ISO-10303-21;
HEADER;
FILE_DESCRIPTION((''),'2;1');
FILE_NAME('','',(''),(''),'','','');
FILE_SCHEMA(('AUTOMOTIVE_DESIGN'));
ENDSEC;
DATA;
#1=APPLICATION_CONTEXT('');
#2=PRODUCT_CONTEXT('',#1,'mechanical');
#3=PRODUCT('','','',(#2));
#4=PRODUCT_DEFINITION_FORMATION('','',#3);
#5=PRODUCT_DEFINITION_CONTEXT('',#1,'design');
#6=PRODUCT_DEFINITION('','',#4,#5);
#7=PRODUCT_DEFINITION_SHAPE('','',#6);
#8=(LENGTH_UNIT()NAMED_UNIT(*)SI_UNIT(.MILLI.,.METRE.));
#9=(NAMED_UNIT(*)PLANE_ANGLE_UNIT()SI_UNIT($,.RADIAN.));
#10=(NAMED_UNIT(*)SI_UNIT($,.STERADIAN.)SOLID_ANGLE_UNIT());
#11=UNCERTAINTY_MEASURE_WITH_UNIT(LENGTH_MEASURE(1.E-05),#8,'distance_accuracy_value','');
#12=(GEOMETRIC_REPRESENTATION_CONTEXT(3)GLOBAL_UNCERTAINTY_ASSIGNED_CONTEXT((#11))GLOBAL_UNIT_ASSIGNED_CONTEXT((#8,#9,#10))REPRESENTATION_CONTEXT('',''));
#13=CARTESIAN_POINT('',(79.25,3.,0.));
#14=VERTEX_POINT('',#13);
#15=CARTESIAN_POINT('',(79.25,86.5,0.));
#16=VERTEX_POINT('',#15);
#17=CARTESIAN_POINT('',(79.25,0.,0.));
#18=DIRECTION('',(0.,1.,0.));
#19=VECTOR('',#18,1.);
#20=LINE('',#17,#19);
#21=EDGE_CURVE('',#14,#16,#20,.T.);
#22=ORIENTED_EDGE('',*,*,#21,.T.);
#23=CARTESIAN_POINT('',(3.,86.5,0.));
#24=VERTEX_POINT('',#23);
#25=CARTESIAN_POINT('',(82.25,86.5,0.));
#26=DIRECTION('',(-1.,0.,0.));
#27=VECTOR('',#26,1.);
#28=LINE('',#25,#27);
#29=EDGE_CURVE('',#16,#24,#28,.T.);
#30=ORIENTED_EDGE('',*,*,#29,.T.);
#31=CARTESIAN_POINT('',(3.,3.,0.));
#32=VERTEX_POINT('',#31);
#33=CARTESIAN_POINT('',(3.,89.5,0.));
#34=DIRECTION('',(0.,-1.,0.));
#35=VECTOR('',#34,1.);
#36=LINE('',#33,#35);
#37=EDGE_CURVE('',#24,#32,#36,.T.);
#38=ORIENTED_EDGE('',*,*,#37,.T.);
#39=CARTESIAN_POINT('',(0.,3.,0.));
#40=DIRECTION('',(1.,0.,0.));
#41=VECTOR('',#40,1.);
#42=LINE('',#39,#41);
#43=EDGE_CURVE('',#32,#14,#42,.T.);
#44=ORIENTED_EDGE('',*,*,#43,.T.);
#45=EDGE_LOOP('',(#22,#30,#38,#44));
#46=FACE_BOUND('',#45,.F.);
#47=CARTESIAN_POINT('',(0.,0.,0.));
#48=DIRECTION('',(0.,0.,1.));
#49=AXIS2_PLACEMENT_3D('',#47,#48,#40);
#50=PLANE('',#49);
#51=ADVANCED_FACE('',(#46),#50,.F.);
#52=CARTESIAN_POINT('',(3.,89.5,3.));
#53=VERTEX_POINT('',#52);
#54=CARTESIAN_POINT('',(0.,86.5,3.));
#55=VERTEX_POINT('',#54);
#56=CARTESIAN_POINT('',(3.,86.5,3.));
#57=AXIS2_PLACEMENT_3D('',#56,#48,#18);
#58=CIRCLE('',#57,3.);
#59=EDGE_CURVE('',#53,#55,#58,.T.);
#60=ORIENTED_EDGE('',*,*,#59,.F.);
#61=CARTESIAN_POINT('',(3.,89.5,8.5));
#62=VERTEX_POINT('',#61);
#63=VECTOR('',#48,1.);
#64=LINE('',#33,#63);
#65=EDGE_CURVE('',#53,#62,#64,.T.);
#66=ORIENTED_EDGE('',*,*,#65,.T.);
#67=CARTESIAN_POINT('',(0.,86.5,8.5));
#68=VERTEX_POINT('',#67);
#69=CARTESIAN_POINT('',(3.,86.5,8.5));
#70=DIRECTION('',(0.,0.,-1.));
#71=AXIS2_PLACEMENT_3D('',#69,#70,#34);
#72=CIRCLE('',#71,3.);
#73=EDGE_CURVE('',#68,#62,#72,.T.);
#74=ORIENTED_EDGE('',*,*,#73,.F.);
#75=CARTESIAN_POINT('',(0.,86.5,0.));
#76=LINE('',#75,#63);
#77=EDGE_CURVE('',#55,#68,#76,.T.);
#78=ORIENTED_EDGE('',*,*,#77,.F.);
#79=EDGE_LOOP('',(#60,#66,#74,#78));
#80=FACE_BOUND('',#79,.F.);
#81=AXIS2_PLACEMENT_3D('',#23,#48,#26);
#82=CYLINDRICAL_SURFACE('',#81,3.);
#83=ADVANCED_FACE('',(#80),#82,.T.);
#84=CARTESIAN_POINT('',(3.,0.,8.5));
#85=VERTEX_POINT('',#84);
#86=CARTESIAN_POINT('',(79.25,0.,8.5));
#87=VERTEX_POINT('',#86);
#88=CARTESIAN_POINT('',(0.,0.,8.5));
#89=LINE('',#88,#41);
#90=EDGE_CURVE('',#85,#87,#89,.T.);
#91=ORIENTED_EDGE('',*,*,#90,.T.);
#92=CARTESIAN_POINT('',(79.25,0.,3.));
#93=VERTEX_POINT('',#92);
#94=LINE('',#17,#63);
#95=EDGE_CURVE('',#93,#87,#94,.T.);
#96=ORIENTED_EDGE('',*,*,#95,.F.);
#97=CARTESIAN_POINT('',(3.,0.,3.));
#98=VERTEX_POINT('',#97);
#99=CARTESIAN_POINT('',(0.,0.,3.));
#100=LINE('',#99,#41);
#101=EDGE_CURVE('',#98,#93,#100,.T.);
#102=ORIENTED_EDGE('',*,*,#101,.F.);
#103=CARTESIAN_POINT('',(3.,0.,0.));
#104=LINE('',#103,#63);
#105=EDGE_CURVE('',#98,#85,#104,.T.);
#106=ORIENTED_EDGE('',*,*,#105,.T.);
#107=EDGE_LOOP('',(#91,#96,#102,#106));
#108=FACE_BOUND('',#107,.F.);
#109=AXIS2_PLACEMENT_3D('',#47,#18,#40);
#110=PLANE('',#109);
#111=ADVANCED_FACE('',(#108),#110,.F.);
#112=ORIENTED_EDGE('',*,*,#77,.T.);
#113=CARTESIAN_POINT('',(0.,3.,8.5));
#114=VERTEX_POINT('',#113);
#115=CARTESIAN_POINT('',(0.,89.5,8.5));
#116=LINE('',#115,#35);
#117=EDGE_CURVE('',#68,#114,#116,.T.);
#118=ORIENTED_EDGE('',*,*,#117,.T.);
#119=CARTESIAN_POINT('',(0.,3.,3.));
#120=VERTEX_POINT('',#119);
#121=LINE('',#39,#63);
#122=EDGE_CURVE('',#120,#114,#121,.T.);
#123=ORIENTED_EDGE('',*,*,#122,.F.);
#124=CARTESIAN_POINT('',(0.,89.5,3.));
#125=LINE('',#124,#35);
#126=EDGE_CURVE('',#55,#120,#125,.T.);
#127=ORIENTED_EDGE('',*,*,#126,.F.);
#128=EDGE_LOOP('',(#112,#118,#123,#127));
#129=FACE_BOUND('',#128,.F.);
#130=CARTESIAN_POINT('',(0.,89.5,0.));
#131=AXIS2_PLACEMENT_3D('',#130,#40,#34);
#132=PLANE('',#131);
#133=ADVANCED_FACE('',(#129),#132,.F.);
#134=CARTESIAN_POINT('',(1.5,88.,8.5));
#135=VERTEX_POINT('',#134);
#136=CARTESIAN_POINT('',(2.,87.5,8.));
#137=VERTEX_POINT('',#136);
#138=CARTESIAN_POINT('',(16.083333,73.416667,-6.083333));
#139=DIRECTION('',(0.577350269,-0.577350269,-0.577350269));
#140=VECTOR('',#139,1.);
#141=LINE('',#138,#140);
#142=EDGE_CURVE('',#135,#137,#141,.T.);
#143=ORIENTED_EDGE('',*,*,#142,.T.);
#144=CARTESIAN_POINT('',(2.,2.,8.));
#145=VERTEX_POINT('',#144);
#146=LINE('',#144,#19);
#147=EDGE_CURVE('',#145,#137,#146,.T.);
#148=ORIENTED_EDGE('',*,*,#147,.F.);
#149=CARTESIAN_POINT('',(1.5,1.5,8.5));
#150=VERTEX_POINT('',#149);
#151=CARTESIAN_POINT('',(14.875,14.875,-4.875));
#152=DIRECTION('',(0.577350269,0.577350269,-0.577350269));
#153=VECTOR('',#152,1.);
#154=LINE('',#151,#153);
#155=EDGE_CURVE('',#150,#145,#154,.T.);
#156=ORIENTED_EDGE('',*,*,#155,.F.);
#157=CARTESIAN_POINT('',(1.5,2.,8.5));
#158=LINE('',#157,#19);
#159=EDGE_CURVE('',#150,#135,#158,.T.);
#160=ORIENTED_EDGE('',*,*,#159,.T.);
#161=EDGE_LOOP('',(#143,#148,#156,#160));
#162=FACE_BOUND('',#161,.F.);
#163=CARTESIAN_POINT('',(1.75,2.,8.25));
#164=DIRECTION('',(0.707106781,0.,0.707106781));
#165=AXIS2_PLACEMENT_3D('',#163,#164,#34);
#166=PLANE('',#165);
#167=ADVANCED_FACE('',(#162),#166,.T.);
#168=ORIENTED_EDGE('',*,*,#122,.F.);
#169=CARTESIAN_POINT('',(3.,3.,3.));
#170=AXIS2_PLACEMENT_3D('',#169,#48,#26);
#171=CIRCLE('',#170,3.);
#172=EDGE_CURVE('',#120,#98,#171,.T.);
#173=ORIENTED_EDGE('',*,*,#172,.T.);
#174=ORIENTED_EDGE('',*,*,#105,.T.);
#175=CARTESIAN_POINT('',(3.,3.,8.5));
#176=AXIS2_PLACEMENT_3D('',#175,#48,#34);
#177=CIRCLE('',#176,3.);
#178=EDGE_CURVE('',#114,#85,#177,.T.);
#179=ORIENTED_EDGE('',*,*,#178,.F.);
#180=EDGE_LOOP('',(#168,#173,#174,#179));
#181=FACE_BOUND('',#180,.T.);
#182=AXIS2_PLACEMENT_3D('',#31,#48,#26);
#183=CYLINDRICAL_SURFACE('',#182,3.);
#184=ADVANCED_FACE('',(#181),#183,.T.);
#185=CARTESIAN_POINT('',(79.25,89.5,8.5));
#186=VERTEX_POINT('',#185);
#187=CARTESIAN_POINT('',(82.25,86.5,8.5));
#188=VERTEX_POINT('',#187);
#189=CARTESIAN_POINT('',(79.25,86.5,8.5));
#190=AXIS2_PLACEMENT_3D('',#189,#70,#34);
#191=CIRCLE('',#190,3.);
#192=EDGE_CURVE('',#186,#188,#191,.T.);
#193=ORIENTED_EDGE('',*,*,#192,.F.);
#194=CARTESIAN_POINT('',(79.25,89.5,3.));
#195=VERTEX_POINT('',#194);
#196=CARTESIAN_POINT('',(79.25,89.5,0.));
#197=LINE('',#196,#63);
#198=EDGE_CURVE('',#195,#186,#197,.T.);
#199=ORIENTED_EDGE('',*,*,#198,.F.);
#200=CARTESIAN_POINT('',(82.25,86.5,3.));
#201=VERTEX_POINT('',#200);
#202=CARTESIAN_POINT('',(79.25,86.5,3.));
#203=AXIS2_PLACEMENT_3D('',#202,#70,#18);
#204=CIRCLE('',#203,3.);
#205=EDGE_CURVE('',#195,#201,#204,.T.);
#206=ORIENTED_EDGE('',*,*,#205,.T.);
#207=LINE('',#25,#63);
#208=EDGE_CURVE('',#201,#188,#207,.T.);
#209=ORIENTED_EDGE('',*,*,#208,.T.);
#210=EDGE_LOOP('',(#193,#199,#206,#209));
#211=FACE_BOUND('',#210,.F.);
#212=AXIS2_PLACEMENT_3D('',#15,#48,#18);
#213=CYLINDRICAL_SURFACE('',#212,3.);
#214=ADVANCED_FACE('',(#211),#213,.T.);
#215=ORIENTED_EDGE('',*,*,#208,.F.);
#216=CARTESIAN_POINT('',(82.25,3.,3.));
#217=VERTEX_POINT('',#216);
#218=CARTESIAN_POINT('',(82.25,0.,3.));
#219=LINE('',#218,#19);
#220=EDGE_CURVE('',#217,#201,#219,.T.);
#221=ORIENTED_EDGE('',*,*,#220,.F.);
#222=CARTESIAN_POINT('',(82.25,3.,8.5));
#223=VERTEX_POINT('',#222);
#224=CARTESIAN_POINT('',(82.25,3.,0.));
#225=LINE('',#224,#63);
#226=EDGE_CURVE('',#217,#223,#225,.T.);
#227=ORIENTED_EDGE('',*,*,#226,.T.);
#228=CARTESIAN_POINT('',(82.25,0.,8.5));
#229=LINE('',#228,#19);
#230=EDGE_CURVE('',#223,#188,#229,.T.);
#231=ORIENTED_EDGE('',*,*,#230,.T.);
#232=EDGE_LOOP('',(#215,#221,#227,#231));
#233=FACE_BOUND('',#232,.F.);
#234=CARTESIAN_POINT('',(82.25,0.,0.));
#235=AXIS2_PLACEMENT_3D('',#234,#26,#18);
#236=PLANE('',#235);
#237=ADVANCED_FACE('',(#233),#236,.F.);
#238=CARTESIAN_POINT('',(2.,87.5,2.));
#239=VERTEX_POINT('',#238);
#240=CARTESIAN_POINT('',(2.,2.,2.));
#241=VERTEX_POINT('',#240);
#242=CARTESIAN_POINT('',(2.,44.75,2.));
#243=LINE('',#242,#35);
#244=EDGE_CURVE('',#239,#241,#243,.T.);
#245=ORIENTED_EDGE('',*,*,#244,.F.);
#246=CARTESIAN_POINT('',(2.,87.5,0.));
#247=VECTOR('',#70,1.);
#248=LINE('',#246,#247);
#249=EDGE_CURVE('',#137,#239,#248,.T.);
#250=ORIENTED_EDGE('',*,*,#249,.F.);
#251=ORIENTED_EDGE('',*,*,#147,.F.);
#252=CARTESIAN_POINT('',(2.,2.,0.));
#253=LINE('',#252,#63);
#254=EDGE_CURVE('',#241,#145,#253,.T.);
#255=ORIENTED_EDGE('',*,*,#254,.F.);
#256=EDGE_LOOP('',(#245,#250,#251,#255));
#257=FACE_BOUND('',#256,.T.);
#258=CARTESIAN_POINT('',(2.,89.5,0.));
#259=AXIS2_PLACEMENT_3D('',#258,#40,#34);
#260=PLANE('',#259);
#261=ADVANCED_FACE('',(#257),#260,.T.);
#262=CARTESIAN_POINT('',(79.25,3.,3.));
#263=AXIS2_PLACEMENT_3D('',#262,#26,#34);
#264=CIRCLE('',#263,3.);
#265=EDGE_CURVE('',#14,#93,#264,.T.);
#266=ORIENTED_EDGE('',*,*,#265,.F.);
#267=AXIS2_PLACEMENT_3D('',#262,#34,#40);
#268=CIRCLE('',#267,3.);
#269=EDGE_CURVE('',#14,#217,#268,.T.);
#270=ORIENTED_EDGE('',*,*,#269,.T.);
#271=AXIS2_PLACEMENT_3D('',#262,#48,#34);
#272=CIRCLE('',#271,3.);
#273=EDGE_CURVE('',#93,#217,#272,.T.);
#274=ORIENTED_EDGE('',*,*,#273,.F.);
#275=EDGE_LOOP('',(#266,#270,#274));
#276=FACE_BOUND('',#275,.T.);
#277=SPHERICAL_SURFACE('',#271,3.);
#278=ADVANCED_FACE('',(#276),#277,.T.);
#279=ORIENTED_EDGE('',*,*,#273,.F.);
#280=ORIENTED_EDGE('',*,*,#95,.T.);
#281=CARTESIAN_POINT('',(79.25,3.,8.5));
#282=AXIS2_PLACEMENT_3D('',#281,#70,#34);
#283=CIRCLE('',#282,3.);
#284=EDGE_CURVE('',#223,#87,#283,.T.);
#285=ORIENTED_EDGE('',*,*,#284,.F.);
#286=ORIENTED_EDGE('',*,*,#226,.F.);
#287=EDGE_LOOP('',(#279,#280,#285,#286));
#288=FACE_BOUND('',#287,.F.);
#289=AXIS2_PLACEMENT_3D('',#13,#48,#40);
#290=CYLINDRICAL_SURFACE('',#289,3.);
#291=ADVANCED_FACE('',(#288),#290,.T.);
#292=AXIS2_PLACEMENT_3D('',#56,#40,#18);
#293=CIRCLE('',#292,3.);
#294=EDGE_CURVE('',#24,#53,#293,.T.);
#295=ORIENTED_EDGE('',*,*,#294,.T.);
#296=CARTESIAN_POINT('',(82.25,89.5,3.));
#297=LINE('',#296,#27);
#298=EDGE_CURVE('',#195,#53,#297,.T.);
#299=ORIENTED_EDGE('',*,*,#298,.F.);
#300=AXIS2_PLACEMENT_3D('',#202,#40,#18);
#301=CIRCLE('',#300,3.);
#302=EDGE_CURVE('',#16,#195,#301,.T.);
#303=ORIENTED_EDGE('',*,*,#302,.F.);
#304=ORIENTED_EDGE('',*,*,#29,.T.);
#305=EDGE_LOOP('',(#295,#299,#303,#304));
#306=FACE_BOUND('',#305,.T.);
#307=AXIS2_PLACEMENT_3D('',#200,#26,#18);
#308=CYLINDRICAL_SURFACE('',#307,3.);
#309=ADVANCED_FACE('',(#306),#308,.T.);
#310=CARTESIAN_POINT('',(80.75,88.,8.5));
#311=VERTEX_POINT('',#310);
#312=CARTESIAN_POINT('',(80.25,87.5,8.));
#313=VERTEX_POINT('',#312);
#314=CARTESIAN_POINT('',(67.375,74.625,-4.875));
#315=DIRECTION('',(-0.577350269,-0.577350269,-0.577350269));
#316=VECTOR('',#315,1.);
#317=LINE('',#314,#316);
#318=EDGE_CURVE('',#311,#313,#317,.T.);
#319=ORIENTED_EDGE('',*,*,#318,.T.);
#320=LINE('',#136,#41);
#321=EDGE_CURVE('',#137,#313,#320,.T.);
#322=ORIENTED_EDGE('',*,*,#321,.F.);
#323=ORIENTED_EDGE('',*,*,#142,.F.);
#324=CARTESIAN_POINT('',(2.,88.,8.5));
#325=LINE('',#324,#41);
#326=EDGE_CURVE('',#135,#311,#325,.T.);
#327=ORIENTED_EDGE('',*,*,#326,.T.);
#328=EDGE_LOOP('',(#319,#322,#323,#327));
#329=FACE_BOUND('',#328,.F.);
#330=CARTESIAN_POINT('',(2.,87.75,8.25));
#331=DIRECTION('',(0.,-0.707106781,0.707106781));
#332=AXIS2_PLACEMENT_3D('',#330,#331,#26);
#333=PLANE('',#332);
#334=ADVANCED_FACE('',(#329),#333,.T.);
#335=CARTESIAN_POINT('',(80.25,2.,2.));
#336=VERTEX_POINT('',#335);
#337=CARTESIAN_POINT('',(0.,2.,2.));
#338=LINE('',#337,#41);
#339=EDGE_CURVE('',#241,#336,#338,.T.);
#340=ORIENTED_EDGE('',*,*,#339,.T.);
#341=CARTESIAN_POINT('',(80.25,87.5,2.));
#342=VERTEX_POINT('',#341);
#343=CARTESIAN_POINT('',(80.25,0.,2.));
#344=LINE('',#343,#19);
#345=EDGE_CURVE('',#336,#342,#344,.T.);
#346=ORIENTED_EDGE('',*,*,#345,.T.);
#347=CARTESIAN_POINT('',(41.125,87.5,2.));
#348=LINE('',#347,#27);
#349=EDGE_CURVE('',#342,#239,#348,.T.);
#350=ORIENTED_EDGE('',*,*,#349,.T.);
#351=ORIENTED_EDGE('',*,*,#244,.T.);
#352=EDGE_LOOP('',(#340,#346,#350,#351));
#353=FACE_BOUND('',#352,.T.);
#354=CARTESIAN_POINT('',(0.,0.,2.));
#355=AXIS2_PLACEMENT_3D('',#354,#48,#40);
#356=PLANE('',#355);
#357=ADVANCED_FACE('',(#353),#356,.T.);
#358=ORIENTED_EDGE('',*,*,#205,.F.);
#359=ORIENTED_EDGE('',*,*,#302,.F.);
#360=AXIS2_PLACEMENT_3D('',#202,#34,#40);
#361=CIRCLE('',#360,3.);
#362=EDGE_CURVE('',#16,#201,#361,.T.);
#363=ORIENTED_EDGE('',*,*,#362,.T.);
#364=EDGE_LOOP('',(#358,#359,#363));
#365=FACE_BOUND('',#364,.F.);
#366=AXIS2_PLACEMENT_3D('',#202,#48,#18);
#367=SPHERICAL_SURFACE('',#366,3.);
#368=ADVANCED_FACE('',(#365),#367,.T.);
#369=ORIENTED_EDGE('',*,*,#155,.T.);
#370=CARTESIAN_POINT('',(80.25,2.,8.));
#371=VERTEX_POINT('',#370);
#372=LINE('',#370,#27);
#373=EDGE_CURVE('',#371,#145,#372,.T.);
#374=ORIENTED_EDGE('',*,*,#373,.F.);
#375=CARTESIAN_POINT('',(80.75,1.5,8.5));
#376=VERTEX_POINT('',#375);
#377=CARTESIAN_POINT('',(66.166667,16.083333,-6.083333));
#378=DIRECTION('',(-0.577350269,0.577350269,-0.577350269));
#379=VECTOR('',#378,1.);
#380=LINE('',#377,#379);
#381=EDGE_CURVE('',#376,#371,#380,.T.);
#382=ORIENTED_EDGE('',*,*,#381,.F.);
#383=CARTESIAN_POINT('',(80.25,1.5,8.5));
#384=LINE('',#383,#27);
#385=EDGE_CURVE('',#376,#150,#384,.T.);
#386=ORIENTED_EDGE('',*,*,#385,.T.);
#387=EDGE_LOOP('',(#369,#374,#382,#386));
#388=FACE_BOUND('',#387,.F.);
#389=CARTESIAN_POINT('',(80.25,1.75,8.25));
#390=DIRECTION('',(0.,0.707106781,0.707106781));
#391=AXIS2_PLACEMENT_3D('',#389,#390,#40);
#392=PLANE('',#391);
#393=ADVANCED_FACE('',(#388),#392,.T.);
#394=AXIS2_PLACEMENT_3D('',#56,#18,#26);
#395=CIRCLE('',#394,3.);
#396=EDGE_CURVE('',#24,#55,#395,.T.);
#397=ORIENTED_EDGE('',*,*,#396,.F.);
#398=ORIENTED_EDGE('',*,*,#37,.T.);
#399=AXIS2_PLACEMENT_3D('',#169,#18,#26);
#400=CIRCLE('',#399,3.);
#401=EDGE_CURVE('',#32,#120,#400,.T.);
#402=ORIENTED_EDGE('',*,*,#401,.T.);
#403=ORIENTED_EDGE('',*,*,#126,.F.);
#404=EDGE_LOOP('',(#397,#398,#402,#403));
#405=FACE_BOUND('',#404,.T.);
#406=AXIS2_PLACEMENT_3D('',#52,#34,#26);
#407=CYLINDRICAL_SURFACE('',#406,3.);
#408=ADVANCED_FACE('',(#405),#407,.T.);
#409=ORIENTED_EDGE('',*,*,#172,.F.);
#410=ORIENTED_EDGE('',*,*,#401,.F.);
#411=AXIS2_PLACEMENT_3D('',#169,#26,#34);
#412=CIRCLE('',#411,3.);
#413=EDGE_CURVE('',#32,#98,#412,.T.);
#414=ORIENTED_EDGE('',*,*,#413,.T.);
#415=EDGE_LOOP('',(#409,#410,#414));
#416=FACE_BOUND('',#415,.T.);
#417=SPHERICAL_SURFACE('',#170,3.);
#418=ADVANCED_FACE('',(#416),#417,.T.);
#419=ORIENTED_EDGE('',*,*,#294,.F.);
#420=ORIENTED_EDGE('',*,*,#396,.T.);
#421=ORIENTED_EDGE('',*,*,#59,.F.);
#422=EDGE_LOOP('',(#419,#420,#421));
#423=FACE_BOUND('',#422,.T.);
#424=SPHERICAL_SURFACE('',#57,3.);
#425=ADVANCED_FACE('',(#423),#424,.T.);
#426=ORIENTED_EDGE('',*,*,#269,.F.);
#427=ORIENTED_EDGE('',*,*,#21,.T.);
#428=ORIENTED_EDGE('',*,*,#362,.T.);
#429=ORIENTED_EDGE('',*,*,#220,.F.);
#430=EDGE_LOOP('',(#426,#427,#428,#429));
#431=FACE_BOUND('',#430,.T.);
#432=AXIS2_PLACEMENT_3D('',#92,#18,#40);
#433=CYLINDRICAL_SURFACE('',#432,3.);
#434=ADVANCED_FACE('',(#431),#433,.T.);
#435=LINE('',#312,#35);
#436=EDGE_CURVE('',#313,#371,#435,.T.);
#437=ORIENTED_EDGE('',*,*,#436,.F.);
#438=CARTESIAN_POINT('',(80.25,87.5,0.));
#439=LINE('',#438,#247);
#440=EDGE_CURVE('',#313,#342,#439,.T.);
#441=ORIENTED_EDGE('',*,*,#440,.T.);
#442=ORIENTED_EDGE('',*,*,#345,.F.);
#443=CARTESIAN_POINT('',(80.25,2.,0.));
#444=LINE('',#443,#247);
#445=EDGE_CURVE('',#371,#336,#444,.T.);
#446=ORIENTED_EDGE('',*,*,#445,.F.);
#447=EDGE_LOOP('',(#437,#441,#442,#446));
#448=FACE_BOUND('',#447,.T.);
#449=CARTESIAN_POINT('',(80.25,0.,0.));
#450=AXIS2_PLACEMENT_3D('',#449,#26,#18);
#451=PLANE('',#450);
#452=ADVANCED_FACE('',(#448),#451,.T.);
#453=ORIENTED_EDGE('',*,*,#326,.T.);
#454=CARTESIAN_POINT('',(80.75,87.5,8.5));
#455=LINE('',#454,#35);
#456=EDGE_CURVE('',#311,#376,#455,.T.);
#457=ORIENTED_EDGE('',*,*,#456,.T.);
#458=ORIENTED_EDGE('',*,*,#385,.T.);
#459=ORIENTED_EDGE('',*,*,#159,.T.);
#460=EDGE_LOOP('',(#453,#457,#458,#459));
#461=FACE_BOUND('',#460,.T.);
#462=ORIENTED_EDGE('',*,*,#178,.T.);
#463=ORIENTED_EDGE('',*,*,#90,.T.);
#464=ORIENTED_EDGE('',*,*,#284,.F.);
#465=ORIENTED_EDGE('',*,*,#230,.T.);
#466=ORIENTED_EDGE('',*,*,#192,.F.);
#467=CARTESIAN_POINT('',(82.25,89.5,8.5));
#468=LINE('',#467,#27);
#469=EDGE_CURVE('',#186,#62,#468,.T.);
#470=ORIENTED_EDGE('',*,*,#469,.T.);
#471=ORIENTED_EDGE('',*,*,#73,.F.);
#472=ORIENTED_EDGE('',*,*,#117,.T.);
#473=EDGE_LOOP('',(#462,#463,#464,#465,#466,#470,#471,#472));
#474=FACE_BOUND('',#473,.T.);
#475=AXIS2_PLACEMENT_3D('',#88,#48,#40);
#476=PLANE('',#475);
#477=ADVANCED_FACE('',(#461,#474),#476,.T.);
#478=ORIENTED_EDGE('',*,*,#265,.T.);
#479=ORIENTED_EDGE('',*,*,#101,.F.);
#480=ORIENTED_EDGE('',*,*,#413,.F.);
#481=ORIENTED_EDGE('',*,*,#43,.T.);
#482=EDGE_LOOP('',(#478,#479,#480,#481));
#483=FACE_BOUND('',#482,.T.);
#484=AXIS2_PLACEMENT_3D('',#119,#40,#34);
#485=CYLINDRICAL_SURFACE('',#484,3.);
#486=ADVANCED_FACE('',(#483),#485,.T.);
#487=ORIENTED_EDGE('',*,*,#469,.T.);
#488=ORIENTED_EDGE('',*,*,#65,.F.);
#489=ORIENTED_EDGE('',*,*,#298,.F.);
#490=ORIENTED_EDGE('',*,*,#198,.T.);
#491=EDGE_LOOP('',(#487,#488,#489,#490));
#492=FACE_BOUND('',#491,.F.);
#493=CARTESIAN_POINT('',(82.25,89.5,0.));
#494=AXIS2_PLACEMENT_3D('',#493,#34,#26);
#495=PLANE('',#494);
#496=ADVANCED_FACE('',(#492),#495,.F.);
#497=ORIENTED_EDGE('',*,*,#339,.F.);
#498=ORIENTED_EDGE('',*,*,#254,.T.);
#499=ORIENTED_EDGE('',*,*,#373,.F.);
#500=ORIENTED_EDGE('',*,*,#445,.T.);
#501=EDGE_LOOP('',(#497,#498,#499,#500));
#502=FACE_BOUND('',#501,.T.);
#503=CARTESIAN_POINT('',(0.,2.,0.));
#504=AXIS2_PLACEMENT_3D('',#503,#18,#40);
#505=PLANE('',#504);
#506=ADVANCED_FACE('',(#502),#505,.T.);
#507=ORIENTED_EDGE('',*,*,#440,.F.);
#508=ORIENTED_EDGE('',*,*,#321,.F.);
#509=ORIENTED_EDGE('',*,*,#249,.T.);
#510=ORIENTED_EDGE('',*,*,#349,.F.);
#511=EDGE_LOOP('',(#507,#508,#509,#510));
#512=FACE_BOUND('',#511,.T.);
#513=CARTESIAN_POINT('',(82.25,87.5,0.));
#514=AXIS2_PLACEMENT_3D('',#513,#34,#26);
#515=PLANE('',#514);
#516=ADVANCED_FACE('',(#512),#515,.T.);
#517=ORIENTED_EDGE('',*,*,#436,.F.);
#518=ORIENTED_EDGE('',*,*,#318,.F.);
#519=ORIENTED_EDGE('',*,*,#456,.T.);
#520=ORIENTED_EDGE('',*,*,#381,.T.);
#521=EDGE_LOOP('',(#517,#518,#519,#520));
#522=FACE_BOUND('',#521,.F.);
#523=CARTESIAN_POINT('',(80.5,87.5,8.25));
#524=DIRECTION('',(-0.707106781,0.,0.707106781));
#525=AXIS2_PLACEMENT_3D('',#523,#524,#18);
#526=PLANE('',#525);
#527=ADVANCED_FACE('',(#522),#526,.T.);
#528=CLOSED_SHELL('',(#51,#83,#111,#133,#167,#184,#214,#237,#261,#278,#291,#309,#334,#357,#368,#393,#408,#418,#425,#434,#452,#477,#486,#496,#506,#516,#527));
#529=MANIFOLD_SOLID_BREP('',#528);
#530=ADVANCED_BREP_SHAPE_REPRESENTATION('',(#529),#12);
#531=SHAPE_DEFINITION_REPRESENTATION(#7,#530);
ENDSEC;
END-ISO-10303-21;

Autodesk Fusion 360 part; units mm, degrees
sketch "Sketch1" plane through (0, 0, 0) normal (0, 0, 1) x (1, 0, 0)
  line L0 (0, 0) -> (82.25, 0)
  line L1 (82.25, 0) -> (82.25, 89.5)
  line L2 (82.25, 89.5) -> (0, 89.5)
  line L3 (0, 89.5) -> (0, 0)
  dimension "d1" = 89.5
  dimension "d2" = 82.25
extrude "Extrude1" add sketch "Sketch1" along normal blind 8.5
shell "Shell1" thickness 2 removed faces 1 at (27.4167, 59.6667, 8.5)
fillet "Fillet1" radius 3 8 edges at (0, 0, 4.25) (82.25, 0, 4.25) (82.25, 89.5, 4.25) (0, 89.5, 4.25) (41.125, 89.5, 0) (0, 44.75, 0) (41.125, 0, 0) (82.25, 44.75, 0)
chamfer "Chamfer1" distance 0.5 angle 45 4 edges at (2, 44.75, 8.5) (41.125, 2, 8.5) (41.125, 87.5, 8.5) (80.25, 44.75, 8.5)
equation "d1 = 85.5 mm + 4 mm"
equation "d2 = 78.25 mm + 4 mm"
equation "d3 = 6.5 mm + 2 mm"
